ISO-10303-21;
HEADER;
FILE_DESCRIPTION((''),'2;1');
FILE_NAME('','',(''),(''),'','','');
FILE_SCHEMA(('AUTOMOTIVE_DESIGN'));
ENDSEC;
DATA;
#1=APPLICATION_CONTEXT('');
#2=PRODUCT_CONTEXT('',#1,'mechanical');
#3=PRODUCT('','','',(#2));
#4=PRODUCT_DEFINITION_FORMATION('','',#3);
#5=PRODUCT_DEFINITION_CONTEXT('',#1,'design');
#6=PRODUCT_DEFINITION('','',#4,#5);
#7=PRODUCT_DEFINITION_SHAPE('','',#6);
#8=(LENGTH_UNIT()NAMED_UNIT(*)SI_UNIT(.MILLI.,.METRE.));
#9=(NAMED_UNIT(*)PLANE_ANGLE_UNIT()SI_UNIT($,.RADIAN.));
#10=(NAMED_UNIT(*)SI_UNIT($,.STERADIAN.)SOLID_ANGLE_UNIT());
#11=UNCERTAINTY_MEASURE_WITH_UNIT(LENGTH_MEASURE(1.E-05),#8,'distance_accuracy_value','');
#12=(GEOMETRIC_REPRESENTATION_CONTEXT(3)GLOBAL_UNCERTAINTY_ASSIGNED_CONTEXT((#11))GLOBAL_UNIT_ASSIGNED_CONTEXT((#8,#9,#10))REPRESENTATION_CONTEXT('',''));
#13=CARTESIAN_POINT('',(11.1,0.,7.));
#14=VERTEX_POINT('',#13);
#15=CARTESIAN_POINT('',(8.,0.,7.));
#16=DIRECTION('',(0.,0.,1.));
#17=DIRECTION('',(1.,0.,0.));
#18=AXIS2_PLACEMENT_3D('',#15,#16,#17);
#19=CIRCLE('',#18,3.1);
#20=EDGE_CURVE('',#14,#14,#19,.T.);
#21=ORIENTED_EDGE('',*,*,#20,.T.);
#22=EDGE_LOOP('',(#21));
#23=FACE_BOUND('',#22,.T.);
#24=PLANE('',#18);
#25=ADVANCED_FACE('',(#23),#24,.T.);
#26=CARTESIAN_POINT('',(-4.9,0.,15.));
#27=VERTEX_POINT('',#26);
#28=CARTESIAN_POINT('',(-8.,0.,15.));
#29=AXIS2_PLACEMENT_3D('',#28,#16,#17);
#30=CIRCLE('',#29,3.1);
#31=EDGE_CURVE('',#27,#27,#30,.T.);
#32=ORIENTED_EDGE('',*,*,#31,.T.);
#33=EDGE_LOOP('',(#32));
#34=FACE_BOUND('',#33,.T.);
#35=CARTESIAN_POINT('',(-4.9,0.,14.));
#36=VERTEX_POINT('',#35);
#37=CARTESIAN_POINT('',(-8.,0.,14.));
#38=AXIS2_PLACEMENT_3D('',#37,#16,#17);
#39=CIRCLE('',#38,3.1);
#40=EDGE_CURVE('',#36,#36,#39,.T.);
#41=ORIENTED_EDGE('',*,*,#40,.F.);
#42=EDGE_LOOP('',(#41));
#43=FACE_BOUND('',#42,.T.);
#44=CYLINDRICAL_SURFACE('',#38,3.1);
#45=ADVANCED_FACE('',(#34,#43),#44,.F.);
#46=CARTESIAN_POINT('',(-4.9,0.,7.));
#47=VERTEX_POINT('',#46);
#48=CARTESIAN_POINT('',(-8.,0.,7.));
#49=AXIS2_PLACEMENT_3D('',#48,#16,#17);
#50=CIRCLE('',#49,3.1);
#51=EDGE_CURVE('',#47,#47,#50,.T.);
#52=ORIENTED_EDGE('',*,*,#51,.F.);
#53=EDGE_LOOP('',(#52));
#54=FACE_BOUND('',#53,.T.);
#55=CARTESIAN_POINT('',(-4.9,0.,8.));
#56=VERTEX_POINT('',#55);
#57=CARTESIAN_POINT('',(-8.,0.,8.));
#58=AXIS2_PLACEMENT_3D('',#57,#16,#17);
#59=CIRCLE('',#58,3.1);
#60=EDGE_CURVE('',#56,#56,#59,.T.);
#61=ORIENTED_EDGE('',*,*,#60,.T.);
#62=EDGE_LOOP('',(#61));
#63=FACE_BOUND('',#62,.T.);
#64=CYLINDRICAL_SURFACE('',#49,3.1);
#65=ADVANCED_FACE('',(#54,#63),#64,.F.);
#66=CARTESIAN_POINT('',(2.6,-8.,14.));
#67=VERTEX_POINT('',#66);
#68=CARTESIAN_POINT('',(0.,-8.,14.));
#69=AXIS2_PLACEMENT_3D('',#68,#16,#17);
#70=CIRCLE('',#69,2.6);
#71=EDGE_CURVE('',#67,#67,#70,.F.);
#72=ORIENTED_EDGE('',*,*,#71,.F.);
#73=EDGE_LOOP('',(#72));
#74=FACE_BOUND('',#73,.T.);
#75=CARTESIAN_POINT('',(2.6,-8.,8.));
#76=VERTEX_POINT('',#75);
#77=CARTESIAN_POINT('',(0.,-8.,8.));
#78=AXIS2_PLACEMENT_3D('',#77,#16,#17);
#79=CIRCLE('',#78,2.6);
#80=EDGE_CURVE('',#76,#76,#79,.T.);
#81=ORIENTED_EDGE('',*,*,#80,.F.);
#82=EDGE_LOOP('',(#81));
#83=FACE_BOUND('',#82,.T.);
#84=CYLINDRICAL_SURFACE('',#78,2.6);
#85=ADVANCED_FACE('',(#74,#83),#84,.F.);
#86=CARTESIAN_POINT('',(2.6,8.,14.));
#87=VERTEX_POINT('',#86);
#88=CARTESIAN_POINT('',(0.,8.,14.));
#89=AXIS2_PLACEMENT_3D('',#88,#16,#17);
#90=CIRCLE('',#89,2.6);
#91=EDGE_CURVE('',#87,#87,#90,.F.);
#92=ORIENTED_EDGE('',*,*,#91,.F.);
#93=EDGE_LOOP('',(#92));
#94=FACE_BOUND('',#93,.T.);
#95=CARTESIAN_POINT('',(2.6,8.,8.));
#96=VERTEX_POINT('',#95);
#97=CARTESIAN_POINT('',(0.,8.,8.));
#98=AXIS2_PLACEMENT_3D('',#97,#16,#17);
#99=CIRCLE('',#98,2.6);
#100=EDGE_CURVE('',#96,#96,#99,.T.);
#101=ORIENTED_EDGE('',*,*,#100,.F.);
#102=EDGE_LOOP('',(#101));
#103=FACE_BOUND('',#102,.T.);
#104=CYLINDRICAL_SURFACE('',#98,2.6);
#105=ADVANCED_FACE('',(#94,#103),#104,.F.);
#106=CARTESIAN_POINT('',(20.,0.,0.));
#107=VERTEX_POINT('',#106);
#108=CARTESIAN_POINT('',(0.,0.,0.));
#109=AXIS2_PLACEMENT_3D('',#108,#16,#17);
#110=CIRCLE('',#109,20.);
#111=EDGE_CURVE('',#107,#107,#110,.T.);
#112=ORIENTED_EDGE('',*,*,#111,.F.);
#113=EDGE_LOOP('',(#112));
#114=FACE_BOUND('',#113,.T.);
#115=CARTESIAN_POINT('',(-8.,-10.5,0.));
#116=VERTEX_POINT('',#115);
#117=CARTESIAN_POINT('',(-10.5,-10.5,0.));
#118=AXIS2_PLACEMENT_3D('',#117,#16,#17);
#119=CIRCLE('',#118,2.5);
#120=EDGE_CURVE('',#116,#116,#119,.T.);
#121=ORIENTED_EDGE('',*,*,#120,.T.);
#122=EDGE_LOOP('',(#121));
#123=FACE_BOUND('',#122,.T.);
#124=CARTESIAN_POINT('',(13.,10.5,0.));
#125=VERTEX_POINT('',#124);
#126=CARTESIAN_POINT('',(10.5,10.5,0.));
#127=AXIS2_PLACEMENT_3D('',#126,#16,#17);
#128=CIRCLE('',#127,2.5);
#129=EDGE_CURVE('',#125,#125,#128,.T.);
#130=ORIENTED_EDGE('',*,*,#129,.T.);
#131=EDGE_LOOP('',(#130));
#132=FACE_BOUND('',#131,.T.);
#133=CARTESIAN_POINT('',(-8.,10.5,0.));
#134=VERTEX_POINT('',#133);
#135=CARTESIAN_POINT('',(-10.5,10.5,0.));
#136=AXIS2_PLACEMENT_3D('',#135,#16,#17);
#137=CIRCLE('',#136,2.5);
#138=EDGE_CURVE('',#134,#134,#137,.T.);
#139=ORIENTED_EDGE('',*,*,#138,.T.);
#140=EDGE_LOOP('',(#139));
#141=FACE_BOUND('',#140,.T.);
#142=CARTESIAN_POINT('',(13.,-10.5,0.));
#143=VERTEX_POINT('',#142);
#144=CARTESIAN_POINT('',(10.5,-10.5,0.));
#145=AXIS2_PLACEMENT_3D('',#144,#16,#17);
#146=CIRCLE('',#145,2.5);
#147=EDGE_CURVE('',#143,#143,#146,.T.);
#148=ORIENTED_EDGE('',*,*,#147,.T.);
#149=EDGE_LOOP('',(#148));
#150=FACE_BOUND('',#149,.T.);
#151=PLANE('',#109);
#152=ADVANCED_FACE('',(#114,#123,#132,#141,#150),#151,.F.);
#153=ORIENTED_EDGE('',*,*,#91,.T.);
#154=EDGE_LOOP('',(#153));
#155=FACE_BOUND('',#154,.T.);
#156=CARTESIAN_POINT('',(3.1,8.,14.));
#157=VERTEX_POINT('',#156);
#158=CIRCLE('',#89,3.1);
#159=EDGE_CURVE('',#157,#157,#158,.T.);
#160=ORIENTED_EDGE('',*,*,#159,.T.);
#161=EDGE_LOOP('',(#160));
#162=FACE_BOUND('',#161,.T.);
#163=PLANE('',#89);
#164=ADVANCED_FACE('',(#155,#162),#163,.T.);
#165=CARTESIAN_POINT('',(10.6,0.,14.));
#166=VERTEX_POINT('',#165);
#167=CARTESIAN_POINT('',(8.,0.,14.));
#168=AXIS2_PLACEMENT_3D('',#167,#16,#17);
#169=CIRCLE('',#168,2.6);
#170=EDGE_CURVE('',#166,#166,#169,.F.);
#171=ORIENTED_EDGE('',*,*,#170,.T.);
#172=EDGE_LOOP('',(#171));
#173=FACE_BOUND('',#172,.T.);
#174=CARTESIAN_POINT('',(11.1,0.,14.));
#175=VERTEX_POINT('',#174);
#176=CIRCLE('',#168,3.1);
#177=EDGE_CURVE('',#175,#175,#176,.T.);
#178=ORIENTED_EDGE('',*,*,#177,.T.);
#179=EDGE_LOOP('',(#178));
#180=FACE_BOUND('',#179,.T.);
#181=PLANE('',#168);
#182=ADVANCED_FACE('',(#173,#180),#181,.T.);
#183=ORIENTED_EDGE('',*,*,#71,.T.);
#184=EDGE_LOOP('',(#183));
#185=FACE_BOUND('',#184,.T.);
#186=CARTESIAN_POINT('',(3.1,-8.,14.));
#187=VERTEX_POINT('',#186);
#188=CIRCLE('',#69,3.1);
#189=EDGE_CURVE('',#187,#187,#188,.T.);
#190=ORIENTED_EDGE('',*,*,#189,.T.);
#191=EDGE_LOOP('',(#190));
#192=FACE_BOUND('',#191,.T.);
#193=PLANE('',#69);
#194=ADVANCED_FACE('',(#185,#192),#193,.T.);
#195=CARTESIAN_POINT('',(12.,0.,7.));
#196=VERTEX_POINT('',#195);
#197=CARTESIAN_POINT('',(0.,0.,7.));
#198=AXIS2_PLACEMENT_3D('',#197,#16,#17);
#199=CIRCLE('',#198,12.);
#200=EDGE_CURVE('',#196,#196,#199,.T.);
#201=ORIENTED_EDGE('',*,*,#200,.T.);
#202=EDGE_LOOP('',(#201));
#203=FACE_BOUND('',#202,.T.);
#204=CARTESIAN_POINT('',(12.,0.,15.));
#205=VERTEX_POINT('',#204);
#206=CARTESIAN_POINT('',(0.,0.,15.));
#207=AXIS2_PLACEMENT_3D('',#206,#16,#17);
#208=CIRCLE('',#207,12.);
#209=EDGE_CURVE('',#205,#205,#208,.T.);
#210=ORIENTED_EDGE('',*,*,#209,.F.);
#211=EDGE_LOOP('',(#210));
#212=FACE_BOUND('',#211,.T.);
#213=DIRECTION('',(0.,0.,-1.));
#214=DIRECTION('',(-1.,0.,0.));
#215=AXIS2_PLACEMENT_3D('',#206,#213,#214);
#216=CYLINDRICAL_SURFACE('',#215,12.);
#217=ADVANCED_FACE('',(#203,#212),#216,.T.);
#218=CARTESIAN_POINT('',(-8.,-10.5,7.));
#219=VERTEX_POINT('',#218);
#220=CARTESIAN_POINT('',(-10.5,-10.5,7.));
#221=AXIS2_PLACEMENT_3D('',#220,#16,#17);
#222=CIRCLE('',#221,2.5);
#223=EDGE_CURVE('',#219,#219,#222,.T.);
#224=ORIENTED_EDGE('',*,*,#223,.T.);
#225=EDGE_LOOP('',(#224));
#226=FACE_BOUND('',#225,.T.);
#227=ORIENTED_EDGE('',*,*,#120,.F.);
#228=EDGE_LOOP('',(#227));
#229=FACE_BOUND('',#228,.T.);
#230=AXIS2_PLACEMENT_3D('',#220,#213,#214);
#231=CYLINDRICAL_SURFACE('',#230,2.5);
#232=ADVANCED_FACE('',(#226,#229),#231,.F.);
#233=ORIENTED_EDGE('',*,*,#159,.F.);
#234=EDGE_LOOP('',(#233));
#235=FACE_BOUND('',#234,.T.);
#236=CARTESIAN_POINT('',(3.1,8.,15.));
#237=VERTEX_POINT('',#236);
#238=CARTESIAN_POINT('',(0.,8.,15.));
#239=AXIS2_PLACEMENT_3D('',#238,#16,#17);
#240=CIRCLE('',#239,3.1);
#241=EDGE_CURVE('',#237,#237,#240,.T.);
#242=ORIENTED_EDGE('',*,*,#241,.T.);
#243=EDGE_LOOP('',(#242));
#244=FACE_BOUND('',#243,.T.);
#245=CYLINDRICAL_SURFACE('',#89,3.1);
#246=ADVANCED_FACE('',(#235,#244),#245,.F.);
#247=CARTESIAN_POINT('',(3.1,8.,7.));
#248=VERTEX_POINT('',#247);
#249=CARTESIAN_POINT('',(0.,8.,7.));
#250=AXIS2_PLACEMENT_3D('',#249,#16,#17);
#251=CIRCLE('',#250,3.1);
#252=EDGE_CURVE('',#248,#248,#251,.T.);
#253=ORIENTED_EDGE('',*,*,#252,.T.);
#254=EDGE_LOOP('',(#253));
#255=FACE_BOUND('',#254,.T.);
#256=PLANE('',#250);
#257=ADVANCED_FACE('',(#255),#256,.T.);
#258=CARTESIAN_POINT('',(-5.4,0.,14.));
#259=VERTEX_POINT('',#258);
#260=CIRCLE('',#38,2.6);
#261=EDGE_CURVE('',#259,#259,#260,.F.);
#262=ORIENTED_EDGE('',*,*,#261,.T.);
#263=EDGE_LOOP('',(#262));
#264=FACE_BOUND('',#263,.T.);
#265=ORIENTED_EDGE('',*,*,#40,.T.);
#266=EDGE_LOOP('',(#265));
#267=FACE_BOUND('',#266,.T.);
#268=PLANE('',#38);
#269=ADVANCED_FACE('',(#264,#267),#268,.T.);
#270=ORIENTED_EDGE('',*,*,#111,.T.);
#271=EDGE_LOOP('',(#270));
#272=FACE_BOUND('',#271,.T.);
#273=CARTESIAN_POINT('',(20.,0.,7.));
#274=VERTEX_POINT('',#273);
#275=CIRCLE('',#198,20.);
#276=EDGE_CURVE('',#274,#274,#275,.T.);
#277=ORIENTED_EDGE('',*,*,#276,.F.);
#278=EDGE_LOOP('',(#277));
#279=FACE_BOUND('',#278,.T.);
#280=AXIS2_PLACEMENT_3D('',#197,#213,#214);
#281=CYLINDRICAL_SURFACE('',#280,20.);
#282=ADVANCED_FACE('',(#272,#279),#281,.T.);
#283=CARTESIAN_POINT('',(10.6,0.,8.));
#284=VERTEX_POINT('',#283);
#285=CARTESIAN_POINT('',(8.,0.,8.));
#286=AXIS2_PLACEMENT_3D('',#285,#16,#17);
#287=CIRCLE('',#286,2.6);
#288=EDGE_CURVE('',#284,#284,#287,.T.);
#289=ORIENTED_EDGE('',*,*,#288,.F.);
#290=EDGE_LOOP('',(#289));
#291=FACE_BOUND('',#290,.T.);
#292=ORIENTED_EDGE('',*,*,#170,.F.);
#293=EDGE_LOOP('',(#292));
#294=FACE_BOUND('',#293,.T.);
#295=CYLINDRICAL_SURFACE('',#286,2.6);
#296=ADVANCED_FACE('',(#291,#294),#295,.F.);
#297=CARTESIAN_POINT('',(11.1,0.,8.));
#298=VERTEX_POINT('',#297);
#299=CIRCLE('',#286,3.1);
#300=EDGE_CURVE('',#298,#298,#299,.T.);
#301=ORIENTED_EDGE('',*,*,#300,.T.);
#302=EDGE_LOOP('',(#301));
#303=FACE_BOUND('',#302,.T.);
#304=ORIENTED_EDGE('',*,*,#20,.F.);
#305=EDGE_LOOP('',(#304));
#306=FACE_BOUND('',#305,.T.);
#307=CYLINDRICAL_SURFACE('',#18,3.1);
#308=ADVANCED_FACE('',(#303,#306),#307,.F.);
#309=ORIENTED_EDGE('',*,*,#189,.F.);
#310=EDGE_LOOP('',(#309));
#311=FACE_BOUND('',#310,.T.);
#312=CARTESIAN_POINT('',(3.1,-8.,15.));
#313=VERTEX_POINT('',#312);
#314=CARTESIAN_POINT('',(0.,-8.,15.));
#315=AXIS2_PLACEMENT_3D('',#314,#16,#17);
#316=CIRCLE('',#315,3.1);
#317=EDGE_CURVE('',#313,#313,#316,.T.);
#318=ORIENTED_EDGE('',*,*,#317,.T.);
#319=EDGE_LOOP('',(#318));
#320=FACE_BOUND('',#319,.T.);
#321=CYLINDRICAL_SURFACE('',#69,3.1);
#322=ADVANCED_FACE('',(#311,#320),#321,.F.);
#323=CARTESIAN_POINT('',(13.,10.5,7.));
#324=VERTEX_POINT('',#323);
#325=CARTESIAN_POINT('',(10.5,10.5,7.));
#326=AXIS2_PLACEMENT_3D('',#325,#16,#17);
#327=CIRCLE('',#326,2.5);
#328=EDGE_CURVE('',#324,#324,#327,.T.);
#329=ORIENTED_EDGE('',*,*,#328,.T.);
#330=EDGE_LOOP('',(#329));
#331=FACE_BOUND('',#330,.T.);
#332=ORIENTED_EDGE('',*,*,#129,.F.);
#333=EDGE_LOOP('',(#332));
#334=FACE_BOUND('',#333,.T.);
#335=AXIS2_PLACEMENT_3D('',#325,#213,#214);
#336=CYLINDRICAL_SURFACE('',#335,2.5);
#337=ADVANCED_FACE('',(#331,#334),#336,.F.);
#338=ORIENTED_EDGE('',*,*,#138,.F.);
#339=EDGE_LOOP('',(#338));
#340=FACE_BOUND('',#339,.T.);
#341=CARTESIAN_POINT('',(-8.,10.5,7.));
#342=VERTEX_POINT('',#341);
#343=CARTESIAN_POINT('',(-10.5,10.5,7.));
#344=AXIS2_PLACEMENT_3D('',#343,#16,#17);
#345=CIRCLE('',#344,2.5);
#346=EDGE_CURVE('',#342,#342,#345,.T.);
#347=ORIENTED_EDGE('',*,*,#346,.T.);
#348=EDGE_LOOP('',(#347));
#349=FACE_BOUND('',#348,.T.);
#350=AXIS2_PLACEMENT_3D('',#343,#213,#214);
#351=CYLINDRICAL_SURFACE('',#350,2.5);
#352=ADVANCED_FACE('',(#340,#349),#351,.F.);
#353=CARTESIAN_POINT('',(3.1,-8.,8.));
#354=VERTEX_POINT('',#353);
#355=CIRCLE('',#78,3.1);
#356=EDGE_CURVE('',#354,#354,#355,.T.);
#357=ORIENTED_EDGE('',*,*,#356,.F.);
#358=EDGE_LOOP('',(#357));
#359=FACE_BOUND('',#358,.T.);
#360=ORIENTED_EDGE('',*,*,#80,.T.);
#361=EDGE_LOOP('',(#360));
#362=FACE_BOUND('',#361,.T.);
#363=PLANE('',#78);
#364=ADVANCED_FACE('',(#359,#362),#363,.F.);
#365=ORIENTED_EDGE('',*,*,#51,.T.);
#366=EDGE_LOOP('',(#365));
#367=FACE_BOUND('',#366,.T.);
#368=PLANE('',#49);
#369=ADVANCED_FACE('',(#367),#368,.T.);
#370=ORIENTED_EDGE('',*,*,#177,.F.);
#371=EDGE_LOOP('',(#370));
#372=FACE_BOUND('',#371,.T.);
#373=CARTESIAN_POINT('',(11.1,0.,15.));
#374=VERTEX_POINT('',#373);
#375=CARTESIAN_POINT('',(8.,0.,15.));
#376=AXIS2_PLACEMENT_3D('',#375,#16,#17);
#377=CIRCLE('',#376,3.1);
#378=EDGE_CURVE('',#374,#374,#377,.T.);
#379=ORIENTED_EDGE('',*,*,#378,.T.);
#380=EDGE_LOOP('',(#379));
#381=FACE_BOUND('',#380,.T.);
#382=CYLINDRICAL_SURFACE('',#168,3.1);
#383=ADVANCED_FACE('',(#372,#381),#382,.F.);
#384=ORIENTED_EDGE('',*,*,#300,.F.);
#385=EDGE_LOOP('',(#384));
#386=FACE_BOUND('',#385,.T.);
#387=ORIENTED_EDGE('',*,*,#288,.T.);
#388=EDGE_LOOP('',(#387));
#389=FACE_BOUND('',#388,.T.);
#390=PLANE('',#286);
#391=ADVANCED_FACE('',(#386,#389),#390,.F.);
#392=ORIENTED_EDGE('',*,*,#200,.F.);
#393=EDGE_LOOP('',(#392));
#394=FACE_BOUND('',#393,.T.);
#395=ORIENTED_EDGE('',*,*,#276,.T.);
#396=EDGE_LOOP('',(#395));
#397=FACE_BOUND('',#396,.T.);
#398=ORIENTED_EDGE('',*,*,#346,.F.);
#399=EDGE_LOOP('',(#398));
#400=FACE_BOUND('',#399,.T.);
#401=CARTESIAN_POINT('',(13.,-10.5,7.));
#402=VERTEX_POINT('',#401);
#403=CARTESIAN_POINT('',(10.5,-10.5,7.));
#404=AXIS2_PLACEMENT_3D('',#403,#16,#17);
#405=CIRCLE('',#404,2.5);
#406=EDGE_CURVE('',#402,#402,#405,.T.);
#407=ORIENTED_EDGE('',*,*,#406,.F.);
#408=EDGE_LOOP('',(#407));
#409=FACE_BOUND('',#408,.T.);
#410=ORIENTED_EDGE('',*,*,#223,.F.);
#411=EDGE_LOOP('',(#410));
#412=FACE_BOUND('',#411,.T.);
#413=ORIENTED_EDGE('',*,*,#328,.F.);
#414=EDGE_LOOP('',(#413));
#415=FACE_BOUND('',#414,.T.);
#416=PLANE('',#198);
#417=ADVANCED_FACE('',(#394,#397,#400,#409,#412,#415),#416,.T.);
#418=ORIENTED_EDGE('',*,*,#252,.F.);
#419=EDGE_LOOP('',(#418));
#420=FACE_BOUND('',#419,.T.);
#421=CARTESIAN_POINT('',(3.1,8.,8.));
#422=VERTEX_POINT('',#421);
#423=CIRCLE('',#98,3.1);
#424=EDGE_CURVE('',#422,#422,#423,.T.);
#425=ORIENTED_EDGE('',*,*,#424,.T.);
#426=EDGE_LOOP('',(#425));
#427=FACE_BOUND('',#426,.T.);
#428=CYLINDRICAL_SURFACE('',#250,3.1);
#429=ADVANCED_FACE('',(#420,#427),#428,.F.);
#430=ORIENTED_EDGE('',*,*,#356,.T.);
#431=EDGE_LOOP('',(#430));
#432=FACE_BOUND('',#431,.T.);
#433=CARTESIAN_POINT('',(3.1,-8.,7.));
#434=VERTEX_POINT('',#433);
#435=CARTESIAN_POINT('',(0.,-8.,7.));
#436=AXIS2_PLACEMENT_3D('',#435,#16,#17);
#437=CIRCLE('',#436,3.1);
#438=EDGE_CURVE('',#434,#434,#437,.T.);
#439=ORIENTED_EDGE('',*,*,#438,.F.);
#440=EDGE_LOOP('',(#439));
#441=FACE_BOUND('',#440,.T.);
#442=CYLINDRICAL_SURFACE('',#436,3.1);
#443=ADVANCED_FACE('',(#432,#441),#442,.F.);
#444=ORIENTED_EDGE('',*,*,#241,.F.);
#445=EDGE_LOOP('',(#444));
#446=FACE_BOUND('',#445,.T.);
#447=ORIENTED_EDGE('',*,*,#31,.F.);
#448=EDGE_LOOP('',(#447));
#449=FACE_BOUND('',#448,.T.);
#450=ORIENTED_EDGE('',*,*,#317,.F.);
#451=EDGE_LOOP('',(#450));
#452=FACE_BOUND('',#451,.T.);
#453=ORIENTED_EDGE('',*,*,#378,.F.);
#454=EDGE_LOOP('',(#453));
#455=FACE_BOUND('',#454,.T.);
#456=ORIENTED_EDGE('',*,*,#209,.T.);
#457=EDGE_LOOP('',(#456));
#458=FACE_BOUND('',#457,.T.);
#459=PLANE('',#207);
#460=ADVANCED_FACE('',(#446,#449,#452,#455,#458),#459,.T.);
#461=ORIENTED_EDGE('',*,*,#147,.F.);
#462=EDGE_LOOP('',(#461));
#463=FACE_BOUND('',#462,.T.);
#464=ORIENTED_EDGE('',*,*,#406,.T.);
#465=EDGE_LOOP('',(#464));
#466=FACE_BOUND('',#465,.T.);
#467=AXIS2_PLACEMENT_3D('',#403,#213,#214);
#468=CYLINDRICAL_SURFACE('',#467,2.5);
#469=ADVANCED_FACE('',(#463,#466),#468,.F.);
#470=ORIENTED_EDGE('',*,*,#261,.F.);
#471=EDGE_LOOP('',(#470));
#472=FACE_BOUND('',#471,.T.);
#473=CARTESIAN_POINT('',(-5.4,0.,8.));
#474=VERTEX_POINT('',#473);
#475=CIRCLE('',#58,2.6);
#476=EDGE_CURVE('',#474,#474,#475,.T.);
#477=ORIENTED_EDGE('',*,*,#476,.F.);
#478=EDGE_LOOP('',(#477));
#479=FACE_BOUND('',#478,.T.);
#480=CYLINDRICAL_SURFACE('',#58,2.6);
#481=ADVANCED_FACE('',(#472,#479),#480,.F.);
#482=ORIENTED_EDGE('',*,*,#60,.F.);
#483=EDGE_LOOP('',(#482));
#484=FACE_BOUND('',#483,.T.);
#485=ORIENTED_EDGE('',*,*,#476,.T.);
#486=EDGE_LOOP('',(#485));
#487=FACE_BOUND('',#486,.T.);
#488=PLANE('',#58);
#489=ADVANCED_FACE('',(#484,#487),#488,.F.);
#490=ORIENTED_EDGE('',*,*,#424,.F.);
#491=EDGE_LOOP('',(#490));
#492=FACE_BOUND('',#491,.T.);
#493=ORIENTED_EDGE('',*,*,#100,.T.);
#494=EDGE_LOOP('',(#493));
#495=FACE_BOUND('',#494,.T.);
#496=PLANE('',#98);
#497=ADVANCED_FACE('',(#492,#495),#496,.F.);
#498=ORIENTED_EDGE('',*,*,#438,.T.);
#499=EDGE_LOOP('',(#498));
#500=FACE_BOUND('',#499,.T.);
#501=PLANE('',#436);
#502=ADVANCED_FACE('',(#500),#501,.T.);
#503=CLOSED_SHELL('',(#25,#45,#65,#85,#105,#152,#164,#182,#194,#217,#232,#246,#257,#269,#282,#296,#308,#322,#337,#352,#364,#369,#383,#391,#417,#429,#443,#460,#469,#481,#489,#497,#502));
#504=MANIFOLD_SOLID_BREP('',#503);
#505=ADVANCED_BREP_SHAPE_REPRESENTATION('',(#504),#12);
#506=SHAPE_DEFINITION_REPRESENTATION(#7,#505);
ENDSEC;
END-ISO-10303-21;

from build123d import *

# Parameters (mm, degrees)
SKETCH_1_R          = 20
SKETCH_1_R_2        = 2.5
EXTRUDE_1_DEPTH     = 7
SKETCH_2_R          = 12
EXTRUDE_2_DEPTH     = 8
SKETCH_3_R          = 2.6
CUT_EXTRUDE_1_DEPTH = 7
SKETCH_4_R          = 3.1
CUT_EXTRUDE_2_DEPTH = 1
SKETCH_6_R          = 3.1
CUT_EXTRUDE_3_DEPTH = 1


with BuildPart() as part:
    # Эскиз1 → Бобышка-Вытянуть1 (new body)
    with BuildSketch(Plane.XY):
        Circle(SKETCH_1_R)
        with Locations((-10.5, 10.5)):
            Circle(SKETCH_1_R_2, mode=Mode.SUBTRACT)
        with Locations((10.5, 10.5)):
            Circle(SKETCH_1_R_2, mode=Mode.SUBTRACT)
        with Locations((10.5, -10.5)):
            Circle(SKETCH_1_R_2, mode=Mode.SUBTRACT)
        with Locations((-10.5, -10.5)):
            Circle(SKETCH_1_R_2, mode=Mode.SUBTRACT)
    extrude(amount=EXTRUDE_1_DEPTH)

    # Эскиз2 → Бобышка-Вытянуть2 (add)
    with BuildSketch(Plane.XY.offset(7)):
        Circle(SKETCH_2_R)
    extrude(amount=EXTRUDE_2_DEPTH)

    # Эскиз3 → Вырез-Вытянуть1 (cut)
    with BuildSketch(Plane.XY.offset(15)):
        with Locations((-8, 0)):
            Circle(SKETCH_3_R)
        with Locations((0, 8)):
            Circle(SKETCH_3_R)
        with Locations((8, 0)):
            Circle(SKETCH_3_R)
        with Locations((0, -8)):
            Circle(SKETCH_3_R)
    extrude(amount=-CUT_EXTRUDE_1_DEPTH, mode=Mode.SUBTRACT)

    # Эскиз4 → Вырез-Вытянуть2 (cut)
    with BuildSketch(Plane.XY.offset(15)):
        with Locations((-8, 0)):
            Circle(SKETCH_4_R)
        with Locations((0, 8)):
            Circle(SKETCH_4_R)
        with Locations((8, 0)):
            Circle(SKETCH_4_R)
        with Locations((0, -8)):
            Circle(SKETCH_4_R)
    extrude(amount=-CUT_EXTRUDE_2_DEPTH, mode=Mode.SUBTRACT)

    # Эскиз6 → Вырез-Вытянуть3 (cut)
    with BuildSketch(Plane.XY.offset(8)):
        with Locations((8, 0)):
            Circle(SKETCH_6_R)
        with Locations((0, 8)):
            Circle(SKETCH_6_R)
        with Locations((-8, 0)):
            Circle(SKETCH_6_R)
        with Locations((0, -8)):
            Circle(SKETCH_6_R)
    extrude(amount=-CUT_EXTRUDE_3_DEPTH, mode=Mode.SUBTRACT)


solid = part.part
